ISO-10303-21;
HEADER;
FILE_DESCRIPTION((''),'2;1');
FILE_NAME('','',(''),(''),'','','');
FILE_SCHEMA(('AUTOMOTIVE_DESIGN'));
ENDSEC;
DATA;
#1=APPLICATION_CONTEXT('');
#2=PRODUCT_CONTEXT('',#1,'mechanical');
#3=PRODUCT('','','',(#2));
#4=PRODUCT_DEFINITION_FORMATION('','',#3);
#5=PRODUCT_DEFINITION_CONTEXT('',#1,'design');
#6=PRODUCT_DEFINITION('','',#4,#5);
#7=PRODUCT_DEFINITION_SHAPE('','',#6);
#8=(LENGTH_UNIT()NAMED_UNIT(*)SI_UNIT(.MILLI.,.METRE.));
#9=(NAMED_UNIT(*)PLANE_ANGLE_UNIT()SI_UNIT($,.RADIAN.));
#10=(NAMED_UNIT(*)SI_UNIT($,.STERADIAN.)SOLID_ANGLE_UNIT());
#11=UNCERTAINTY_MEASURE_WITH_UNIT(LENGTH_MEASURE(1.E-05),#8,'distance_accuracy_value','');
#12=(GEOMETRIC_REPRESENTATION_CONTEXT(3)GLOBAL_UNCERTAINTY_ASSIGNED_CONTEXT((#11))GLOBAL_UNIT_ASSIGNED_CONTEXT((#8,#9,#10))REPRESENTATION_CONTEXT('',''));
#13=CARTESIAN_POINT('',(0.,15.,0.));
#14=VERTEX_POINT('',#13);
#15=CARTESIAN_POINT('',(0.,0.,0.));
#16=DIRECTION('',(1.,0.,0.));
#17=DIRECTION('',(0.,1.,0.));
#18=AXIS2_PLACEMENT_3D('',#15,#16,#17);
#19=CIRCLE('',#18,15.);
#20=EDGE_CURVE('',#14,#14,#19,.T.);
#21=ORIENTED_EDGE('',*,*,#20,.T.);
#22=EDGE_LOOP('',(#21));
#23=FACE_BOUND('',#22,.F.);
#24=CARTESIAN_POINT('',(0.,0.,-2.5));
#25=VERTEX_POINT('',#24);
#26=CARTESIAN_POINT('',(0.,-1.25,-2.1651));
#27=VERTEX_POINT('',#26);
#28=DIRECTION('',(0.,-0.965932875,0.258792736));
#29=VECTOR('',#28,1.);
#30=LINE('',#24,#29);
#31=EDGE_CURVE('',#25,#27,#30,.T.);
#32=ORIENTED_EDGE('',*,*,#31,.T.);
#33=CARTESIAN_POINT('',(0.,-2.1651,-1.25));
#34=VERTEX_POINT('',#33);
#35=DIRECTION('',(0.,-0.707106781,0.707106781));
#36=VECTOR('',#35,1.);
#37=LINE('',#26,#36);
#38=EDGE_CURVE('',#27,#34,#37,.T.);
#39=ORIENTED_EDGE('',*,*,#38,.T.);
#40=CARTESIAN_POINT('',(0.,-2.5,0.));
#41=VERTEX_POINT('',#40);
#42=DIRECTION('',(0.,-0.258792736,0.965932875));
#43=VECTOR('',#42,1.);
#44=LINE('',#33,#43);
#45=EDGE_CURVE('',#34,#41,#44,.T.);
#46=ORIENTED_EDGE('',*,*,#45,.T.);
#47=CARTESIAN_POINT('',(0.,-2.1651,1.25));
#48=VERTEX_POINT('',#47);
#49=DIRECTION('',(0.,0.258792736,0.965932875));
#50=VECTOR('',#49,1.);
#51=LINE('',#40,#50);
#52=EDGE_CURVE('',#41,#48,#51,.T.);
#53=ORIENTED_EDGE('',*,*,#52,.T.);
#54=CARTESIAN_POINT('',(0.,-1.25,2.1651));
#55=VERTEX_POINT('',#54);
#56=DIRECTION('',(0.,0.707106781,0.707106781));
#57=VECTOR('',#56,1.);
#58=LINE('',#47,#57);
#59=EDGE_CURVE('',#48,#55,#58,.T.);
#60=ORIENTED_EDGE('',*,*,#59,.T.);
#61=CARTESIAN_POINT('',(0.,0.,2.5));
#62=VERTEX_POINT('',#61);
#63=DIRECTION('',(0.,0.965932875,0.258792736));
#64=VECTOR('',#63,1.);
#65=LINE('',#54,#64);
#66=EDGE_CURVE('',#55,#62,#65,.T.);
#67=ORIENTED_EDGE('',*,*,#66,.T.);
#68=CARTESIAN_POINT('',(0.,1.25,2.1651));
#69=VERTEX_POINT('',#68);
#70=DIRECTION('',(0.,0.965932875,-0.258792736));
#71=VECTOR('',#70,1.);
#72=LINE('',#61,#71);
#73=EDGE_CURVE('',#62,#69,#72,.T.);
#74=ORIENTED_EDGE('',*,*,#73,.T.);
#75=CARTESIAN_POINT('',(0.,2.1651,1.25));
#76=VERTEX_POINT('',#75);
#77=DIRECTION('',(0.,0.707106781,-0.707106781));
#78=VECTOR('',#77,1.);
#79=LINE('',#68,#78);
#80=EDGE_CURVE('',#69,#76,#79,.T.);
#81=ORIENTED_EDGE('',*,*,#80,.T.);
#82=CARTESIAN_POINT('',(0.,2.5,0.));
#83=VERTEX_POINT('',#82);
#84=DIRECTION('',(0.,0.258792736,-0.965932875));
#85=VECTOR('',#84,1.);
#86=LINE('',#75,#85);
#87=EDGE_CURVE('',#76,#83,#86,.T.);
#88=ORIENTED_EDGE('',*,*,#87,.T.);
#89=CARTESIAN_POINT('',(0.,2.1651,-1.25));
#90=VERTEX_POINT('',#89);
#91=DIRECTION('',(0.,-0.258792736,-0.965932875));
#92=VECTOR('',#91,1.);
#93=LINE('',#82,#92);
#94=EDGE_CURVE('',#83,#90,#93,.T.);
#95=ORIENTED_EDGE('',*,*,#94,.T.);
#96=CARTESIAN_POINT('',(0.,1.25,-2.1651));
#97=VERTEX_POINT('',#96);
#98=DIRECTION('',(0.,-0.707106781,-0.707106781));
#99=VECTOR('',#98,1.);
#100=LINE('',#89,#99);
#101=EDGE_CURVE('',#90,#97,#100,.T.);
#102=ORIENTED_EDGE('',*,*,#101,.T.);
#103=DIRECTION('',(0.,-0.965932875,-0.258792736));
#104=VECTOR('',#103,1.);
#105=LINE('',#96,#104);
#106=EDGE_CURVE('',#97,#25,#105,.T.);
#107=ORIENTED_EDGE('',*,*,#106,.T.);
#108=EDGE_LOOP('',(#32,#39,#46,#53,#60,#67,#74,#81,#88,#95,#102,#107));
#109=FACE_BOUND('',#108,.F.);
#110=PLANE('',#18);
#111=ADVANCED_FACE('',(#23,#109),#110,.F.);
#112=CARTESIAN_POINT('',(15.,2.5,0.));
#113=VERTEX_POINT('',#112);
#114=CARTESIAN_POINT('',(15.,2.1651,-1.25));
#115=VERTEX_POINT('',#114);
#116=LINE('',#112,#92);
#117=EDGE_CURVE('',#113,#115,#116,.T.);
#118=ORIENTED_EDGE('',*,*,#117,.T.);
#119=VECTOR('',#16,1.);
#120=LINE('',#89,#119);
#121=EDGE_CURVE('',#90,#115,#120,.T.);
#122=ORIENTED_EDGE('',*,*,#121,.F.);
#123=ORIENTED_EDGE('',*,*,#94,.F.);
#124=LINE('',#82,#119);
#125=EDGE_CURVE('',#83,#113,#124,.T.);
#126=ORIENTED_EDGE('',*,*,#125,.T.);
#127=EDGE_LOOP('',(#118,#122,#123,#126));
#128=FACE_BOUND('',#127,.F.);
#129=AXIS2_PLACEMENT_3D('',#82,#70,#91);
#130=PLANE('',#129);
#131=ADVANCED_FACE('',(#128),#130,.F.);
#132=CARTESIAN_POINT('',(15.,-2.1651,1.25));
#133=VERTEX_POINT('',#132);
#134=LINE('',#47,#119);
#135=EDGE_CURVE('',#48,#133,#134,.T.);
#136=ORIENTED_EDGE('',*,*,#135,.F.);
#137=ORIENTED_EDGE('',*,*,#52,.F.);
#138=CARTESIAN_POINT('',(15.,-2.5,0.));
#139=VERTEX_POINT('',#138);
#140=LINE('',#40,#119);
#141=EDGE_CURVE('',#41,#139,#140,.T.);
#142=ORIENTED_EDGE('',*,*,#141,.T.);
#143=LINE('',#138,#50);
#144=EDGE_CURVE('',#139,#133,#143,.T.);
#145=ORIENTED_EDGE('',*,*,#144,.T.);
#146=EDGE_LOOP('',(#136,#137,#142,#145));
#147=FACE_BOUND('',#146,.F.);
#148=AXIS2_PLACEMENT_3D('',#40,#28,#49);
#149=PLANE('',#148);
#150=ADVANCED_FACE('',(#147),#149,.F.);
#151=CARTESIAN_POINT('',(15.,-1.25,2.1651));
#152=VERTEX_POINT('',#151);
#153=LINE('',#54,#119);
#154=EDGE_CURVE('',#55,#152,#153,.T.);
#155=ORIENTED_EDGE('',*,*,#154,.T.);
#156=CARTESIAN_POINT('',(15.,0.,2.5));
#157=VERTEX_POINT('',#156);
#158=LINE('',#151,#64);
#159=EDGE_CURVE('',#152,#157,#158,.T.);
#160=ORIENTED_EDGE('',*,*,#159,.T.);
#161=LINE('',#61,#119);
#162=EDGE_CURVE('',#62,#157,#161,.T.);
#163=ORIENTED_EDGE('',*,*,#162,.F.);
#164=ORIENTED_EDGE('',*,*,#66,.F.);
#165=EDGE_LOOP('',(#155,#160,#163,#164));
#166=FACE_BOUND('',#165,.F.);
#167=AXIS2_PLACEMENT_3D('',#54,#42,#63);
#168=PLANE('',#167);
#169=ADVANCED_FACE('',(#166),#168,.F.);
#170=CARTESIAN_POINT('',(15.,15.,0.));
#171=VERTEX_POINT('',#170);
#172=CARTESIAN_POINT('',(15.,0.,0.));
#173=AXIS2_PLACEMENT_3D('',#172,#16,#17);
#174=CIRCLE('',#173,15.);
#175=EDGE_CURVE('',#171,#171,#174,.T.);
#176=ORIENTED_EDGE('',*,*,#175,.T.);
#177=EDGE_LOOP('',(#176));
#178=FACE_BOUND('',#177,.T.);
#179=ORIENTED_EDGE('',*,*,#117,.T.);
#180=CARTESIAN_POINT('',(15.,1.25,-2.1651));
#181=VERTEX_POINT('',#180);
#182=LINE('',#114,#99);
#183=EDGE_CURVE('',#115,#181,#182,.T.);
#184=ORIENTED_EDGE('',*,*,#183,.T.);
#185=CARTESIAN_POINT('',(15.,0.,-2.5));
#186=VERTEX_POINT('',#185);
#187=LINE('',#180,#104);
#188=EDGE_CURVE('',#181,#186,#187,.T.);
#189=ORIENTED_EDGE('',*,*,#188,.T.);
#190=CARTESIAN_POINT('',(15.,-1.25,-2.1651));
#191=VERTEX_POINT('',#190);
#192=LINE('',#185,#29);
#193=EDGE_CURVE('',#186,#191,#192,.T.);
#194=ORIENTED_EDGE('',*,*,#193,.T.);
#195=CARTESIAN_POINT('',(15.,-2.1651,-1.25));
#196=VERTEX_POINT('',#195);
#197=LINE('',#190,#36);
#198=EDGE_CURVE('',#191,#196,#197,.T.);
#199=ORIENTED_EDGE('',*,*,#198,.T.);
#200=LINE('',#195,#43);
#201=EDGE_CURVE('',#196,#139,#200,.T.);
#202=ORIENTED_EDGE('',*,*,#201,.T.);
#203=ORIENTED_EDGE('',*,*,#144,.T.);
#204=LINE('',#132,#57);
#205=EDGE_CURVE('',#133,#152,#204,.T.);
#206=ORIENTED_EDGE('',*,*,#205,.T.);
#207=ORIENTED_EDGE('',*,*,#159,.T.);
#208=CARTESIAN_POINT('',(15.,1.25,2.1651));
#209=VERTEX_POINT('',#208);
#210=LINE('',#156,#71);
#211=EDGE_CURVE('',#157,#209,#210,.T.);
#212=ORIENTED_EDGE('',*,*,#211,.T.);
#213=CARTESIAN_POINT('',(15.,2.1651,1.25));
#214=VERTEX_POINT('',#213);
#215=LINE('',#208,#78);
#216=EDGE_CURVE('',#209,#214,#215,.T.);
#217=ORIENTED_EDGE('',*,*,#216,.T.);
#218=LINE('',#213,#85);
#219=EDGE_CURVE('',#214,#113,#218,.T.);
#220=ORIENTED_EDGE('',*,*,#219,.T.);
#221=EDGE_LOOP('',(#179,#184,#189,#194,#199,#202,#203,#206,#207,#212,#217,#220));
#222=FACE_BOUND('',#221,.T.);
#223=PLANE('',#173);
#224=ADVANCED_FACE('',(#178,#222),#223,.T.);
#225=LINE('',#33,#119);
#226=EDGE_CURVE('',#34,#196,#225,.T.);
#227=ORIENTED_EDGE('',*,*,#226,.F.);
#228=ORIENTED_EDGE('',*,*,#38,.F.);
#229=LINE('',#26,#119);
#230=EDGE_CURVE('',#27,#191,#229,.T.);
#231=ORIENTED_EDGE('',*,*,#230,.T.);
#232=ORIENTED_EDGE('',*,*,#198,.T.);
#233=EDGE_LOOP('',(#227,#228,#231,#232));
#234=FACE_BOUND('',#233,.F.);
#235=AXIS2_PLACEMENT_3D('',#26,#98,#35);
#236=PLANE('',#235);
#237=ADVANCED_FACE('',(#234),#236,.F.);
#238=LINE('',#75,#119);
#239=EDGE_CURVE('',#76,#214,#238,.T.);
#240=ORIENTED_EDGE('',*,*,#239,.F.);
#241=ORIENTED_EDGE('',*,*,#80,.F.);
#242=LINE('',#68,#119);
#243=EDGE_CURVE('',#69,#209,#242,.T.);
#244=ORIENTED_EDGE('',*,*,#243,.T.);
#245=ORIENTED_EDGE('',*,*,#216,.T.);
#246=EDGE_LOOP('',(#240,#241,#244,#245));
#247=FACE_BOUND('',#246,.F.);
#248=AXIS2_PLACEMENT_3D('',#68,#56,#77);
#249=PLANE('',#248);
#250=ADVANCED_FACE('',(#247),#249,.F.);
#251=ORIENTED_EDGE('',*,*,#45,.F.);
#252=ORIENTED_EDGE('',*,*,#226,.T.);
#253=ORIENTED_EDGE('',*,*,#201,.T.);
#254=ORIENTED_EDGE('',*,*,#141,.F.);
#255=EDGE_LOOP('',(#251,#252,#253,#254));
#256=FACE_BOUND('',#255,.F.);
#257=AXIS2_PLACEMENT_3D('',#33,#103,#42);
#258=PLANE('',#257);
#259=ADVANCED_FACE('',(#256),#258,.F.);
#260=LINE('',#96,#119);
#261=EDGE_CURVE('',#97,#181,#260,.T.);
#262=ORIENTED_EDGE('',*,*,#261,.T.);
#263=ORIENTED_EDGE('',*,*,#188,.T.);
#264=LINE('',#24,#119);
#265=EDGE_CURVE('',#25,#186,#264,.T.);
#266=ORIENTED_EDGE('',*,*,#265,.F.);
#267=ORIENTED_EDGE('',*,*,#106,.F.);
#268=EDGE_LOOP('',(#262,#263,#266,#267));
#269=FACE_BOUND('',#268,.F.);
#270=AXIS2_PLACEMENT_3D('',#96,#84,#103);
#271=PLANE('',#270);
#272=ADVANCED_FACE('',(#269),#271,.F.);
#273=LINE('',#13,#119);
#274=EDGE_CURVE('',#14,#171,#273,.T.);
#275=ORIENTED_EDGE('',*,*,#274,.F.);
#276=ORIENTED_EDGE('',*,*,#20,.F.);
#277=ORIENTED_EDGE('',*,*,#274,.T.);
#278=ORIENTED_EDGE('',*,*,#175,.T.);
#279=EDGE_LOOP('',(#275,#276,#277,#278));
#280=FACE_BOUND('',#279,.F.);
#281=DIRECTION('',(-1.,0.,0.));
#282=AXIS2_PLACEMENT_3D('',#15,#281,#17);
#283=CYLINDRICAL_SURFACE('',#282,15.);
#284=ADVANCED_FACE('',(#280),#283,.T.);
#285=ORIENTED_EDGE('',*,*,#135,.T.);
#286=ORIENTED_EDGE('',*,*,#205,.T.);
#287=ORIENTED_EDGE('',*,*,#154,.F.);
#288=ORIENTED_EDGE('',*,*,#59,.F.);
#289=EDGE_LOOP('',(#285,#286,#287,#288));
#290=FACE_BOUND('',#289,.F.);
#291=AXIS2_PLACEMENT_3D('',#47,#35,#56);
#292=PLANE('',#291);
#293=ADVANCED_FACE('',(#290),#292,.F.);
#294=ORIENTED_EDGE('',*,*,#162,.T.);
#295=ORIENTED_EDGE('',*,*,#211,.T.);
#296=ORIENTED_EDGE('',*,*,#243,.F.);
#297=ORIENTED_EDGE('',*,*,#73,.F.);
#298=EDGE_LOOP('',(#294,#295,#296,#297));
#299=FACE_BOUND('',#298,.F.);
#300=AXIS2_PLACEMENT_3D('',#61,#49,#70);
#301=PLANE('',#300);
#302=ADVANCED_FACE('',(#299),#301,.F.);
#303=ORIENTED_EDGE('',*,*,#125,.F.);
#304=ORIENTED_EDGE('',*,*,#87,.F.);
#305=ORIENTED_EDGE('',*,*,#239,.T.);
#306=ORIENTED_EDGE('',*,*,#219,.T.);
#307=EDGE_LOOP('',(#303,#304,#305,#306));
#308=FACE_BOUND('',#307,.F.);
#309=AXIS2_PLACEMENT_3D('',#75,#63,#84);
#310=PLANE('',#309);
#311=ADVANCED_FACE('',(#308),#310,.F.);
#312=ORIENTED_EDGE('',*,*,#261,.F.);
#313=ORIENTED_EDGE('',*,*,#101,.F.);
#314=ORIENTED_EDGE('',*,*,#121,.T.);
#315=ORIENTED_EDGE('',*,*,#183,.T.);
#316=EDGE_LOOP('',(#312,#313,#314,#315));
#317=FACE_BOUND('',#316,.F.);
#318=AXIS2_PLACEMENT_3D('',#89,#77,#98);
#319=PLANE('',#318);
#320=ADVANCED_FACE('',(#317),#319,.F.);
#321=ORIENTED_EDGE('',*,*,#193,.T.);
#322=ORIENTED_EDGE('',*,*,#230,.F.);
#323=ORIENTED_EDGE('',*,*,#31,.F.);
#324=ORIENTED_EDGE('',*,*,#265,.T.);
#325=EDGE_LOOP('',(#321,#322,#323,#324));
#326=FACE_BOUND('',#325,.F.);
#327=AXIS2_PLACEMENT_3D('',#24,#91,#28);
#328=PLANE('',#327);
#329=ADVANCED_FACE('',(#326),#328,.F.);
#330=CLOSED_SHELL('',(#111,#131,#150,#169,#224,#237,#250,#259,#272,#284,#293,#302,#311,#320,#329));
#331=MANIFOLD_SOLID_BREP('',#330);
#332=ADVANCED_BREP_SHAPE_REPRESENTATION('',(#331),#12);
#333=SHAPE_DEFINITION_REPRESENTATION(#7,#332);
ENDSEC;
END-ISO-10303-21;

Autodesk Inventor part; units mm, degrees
ref_plane "YZ Plane" through (0, 0, 0) normal (1, 0, 0) x (0, 1, 0)
ref_plane "XZ Plane" through (0, 0, 0) normal (0, 1, 0) x (-1, 0, 0)
ref_plane "XY Plane" through (0, 0, 0) normal (0, 0, 1) x (1, 0, 0)
sketch "스케치1" plane through (0, 0, 0) normal (1, 0, 0) x (0, 1, 0)
  circle A0 centre (0, 0) radius 2.5
  line L0 (2.5, 0) -> (2.1651, -1.25)
  line L1 (2.1651, -1.25) -> (1.25, -2.1651)
  line L2 (1.25, -2.1651) -> (0, -2.5)
  line L3 (0, -2.5) -> (-1.25, -2.1651)
  line L4 (-1.25, -2.1651) -> (-2.1651, -1.25)
  line L5 (-2.1651, -1.25) -> (-2.5, 0)
  line L6 (-2.5, 0) -> (-2.1651, 1.25)
  line L7 (-2.1651, 1.25) -> (-1.25, 2.1651)
  line L8 (-1.25, 2.1651) -> (0, 2.5)
  line L9 (0, 2.5) -> (1.25, 2.1651)
  line L10 (1.25, 2.1651) -> (2.1651, 1.25)
  line L11 (2.1651, 1.25) -> (2.5, 0)
  circle A1 centre (0, 0) radius 15
  point P0 (0, 2.5)
  point P1 (0, 2.5)
  point P2 (-2.5, 0)
  point P3 (-2.5, 0)
  point P4 (0, -2.5)
  point P5 (0, -2.5)
  dimension "d0" = 5
  dimension "d1" = 30
extrude "돌출1" add sketch "스케치1" along normal blind 15 contours L11 A0 | A0 L0 | L10 A0 | A0 L1 | L9 A0 | A0 L2 | L8 A0 | A0 L3 | L7 A0 | A0 L4 | L6 A0 | A0 L5 | A1
properties part number "30_diameter_wheel"
